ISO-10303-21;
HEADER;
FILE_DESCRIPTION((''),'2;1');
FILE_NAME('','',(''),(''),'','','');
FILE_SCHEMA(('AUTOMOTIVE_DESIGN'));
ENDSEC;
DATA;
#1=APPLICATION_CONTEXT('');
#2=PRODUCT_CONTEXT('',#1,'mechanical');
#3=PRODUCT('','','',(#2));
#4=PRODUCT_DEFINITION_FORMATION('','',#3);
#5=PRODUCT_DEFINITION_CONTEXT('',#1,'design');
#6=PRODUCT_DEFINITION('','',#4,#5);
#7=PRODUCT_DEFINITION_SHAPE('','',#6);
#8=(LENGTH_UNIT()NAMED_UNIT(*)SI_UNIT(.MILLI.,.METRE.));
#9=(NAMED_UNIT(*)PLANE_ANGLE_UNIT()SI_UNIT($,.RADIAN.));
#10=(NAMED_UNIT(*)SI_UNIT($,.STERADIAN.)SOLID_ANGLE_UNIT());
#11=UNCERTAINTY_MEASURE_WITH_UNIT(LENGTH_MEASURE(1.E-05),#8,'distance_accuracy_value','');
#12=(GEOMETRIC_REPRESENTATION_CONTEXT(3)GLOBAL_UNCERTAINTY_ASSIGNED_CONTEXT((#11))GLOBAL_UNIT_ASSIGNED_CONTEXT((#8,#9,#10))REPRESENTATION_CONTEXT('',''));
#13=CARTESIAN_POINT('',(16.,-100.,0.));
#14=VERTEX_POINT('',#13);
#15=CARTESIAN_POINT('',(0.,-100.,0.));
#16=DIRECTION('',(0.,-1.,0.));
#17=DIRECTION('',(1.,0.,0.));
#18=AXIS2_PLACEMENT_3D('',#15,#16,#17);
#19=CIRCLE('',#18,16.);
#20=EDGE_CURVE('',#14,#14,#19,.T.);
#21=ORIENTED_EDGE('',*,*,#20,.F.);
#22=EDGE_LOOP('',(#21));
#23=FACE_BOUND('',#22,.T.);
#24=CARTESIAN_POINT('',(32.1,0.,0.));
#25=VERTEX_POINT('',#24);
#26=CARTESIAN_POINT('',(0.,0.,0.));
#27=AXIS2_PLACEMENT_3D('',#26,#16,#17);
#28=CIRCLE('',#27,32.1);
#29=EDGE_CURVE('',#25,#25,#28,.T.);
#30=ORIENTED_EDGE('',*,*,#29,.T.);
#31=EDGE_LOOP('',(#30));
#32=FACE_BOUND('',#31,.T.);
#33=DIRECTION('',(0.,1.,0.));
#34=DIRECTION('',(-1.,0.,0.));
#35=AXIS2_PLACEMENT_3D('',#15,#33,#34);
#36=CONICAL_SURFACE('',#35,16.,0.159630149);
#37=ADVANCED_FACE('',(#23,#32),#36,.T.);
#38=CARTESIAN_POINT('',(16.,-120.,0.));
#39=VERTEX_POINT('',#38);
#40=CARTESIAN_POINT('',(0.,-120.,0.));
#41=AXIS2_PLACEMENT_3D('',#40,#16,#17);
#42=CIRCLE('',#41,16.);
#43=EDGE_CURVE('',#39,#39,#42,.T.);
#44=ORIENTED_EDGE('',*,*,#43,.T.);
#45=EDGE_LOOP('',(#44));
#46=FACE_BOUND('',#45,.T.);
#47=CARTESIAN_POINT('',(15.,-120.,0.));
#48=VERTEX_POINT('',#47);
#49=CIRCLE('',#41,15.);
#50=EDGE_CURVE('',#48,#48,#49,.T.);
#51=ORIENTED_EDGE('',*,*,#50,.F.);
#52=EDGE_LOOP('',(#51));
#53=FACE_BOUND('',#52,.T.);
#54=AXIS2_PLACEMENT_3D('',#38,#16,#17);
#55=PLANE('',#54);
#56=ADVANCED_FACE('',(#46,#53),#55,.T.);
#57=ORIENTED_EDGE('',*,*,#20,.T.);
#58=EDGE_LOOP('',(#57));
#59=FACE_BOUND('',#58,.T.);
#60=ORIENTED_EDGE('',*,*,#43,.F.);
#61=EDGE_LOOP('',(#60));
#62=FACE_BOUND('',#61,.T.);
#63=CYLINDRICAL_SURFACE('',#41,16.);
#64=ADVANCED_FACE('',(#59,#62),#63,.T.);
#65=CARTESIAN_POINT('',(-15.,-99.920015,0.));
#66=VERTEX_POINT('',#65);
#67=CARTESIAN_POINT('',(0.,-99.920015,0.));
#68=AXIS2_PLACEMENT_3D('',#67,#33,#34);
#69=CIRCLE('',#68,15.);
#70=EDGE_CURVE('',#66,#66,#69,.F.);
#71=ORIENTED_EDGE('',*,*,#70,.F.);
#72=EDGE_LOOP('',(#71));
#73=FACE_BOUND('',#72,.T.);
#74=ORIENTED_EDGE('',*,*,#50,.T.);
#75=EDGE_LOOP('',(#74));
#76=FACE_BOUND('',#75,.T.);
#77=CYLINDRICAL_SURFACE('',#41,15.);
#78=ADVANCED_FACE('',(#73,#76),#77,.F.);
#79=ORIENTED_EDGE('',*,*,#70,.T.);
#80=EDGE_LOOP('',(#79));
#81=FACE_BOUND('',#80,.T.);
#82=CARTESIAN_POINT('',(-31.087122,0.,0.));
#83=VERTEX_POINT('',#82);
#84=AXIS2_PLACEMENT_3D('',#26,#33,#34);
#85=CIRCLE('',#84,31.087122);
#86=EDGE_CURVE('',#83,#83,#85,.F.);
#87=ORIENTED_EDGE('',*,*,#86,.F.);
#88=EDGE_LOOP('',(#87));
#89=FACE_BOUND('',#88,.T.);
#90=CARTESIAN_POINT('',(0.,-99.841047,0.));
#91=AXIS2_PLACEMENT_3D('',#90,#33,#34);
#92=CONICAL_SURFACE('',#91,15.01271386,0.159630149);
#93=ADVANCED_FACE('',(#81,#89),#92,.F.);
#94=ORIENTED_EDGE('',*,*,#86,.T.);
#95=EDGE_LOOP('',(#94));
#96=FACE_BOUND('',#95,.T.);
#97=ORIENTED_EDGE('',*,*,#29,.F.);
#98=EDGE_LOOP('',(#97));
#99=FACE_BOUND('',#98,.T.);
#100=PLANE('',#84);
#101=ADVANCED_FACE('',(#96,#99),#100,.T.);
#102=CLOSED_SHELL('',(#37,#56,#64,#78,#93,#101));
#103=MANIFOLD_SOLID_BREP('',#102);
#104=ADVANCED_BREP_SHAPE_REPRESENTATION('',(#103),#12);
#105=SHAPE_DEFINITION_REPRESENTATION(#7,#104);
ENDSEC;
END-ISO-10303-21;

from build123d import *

# Parameters (mm, degrees)
SHELL_1_T = -1


with BuildPart() as part:
    # 스케치1 → 회전1 (revolve)
    with BuildSketch(Plane.XY):
        Polygon((0, 0), (32.1, 0), (16, -100), (16, -120), (0, -120), align=None)
    revolve(axis=Axis((0, -120, 0), (0, 1, 0)))

    # 쉘1
    shell_1_openings = [part.faces().sort_by_distance(p)[0] for p in [
        (0, -120, 0),
        (0, 0, 0),
    ]]
    offset(amount=SHELL_1_T, openings=shell_1_openings, kind=Kind.INTERSECTION)


solid = part.part
